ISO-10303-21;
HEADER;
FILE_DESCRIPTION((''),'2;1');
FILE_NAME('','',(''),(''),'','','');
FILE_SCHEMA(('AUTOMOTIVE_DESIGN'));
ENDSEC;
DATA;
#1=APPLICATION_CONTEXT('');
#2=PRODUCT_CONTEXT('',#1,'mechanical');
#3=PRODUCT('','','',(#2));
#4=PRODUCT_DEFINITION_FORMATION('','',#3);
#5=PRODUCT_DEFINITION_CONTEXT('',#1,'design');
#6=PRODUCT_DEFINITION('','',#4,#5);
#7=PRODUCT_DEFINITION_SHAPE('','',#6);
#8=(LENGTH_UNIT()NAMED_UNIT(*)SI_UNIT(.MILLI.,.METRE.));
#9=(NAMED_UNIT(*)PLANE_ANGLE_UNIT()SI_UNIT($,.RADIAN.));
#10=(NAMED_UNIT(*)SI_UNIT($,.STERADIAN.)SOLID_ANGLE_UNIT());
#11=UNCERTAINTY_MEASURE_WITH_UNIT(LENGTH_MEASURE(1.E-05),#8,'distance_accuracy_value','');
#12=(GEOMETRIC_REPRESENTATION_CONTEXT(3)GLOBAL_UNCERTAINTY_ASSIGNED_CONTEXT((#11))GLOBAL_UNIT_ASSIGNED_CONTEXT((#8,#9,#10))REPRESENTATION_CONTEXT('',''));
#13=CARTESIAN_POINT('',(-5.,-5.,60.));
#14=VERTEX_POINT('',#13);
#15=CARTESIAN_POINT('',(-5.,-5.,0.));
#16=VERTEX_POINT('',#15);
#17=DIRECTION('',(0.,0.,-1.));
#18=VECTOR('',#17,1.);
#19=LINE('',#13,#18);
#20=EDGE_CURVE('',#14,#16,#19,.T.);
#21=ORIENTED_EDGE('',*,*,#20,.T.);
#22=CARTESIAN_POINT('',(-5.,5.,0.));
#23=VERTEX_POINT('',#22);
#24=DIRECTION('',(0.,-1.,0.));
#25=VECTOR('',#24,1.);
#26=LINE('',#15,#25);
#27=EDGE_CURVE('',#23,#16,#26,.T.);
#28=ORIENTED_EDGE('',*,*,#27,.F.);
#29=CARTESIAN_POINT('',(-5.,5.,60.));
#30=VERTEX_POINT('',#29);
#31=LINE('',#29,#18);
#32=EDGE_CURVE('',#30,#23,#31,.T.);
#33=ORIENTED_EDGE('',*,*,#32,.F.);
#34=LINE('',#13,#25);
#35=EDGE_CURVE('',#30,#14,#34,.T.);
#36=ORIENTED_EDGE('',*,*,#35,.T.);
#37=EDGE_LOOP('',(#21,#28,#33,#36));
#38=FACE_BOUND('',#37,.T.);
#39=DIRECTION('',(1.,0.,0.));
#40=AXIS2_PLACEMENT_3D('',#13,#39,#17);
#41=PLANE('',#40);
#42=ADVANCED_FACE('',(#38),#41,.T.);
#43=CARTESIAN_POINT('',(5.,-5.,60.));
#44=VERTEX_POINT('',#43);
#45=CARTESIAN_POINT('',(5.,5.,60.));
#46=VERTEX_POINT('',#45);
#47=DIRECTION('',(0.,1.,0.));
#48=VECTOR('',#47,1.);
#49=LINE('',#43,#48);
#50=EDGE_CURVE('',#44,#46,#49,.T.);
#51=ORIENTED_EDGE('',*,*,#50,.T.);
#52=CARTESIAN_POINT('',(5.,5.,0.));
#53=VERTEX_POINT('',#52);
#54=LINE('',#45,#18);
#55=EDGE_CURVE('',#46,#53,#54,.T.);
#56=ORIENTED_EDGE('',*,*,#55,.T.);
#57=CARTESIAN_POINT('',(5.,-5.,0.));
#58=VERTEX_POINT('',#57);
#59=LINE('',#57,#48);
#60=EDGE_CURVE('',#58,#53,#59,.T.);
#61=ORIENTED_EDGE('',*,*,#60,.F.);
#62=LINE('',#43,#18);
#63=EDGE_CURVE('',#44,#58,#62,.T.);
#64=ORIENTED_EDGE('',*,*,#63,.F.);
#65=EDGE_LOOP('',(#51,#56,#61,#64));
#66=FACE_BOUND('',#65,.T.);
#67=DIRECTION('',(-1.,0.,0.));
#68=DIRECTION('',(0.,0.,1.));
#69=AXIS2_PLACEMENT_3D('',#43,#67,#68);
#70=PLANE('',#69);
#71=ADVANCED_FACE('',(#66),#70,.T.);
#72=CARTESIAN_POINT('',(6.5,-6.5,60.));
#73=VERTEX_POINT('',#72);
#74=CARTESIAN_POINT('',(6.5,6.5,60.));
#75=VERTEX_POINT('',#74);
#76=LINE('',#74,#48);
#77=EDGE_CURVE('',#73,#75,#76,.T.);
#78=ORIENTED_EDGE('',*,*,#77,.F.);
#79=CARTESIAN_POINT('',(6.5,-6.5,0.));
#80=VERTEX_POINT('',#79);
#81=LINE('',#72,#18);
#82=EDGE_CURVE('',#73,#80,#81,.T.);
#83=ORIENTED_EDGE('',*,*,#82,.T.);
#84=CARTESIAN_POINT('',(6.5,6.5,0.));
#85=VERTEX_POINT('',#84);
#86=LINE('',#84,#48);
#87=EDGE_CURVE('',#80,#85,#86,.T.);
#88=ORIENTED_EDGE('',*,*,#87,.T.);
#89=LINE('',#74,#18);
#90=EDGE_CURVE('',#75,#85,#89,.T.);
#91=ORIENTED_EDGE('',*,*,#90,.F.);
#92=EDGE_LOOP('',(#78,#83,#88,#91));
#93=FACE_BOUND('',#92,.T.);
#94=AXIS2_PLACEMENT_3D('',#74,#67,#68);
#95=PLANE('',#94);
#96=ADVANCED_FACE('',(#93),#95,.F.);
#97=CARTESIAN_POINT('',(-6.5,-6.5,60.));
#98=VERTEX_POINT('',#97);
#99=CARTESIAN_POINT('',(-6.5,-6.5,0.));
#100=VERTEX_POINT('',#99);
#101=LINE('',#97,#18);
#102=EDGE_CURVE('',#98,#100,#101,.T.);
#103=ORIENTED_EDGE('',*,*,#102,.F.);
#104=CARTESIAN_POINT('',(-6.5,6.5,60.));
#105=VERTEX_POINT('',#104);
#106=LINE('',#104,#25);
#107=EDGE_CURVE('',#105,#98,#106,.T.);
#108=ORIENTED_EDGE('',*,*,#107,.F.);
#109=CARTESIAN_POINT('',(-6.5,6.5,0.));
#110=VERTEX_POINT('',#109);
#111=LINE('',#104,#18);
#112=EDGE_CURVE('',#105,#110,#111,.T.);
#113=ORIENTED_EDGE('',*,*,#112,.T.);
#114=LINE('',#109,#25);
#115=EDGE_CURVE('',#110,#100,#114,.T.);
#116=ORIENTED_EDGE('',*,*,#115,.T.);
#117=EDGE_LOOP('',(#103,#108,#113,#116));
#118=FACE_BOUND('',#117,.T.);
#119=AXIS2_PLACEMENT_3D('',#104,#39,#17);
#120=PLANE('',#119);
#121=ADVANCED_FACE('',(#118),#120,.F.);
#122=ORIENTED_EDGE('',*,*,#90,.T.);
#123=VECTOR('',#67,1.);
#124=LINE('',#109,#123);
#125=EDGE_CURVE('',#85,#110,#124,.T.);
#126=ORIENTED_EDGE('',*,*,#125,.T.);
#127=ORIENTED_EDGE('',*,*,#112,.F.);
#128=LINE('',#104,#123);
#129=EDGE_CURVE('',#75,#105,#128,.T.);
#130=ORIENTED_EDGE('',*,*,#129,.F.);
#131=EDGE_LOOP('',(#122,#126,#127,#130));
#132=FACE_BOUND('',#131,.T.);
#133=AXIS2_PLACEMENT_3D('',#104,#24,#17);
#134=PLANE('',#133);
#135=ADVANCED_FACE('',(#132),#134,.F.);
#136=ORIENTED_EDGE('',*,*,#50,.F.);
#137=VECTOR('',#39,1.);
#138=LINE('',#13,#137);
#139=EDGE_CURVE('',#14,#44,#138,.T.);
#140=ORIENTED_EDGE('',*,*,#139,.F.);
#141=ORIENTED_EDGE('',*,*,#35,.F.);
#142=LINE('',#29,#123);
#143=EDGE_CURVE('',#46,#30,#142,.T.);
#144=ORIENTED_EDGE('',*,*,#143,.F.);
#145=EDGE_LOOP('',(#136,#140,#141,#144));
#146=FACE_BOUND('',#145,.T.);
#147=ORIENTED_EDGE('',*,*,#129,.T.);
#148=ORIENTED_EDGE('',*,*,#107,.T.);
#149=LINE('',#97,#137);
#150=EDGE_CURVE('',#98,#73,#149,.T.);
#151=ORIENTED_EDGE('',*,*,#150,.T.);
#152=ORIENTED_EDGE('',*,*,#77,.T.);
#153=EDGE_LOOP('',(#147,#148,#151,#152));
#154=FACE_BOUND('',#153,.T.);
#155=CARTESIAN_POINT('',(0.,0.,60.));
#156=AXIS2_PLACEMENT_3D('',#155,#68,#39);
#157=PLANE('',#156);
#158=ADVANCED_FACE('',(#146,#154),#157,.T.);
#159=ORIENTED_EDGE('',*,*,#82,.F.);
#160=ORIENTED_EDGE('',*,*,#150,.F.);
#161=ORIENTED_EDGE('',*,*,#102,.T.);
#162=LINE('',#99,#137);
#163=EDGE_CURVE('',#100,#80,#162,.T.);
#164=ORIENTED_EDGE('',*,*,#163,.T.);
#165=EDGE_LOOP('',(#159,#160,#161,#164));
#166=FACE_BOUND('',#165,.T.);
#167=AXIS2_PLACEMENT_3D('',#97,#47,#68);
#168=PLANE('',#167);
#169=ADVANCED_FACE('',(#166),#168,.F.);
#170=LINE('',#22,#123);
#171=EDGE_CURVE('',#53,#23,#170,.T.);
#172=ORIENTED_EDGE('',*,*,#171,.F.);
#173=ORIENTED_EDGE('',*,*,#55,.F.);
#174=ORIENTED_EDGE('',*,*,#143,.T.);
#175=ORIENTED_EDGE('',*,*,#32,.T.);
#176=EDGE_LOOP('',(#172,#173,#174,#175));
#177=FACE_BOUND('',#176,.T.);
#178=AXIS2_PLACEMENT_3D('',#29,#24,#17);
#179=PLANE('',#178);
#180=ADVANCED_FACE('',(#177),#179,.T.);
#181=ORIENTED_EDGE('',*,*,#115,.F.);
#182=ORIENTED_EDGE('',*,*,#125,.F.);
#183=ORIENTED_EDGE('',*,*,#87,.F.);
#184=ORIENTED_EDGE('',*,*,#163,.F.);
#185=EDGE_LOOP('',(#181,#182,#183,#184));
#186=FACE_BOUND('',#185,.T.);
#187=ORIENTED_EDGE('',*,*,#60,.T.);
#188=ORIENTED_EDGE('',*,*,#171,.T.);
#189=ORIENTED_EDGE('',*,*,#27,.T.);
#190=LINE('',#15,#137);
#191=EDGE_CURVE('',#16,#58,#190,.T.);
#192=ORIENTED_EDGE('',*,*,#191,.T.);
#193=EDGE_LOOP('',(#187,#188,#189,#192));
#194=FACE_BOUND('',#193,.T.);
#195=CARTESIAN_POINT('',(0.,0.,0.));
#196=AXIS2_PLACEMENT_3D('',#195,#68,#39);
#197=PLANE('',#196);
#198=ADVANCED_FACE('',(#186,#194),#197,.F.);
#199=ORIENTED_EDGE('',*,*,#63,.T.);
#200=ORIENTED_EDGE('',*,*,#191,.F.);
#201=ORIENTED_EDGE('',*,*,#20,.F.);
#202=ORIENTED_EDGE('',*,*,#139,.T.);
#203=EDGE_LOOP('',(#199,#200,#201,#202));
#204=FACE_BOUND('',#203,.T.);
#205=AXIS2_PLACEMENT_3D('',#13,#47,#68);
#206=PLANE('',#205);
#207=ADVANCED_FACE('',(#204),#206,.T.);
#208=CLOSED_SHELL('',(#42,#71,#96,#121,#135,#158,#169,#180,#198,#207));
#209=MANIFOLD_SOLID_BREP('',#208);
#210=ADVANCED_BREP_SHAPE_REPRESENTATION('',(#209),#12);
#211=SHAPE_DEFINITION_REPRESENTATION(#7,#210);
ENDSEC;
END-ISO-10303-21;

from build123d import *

# Parameters (mm, degrees)
SKETCH1_W           = 13
SKETCH1_H           = 13
SKETCH1_W_2         = 10
SKETCH1_H_2         = 10
BOSS_EXTRUDE1_DEPTH = 60


with BuildPart() as part:
    # Sketch1 → Boss-Extrude1 (new body)
    with BuildSketch(Plane.XY):
        Rectangle(SKETCH1_W, SKETCH1_H)
        Rectangle(SKETCH1_W_2, SKETCH1_H_2, mode=Mode.SUBTRACT)
    extrude(amount=BOSS_EXTRUDE1_DEPTH)


solid = part.part
